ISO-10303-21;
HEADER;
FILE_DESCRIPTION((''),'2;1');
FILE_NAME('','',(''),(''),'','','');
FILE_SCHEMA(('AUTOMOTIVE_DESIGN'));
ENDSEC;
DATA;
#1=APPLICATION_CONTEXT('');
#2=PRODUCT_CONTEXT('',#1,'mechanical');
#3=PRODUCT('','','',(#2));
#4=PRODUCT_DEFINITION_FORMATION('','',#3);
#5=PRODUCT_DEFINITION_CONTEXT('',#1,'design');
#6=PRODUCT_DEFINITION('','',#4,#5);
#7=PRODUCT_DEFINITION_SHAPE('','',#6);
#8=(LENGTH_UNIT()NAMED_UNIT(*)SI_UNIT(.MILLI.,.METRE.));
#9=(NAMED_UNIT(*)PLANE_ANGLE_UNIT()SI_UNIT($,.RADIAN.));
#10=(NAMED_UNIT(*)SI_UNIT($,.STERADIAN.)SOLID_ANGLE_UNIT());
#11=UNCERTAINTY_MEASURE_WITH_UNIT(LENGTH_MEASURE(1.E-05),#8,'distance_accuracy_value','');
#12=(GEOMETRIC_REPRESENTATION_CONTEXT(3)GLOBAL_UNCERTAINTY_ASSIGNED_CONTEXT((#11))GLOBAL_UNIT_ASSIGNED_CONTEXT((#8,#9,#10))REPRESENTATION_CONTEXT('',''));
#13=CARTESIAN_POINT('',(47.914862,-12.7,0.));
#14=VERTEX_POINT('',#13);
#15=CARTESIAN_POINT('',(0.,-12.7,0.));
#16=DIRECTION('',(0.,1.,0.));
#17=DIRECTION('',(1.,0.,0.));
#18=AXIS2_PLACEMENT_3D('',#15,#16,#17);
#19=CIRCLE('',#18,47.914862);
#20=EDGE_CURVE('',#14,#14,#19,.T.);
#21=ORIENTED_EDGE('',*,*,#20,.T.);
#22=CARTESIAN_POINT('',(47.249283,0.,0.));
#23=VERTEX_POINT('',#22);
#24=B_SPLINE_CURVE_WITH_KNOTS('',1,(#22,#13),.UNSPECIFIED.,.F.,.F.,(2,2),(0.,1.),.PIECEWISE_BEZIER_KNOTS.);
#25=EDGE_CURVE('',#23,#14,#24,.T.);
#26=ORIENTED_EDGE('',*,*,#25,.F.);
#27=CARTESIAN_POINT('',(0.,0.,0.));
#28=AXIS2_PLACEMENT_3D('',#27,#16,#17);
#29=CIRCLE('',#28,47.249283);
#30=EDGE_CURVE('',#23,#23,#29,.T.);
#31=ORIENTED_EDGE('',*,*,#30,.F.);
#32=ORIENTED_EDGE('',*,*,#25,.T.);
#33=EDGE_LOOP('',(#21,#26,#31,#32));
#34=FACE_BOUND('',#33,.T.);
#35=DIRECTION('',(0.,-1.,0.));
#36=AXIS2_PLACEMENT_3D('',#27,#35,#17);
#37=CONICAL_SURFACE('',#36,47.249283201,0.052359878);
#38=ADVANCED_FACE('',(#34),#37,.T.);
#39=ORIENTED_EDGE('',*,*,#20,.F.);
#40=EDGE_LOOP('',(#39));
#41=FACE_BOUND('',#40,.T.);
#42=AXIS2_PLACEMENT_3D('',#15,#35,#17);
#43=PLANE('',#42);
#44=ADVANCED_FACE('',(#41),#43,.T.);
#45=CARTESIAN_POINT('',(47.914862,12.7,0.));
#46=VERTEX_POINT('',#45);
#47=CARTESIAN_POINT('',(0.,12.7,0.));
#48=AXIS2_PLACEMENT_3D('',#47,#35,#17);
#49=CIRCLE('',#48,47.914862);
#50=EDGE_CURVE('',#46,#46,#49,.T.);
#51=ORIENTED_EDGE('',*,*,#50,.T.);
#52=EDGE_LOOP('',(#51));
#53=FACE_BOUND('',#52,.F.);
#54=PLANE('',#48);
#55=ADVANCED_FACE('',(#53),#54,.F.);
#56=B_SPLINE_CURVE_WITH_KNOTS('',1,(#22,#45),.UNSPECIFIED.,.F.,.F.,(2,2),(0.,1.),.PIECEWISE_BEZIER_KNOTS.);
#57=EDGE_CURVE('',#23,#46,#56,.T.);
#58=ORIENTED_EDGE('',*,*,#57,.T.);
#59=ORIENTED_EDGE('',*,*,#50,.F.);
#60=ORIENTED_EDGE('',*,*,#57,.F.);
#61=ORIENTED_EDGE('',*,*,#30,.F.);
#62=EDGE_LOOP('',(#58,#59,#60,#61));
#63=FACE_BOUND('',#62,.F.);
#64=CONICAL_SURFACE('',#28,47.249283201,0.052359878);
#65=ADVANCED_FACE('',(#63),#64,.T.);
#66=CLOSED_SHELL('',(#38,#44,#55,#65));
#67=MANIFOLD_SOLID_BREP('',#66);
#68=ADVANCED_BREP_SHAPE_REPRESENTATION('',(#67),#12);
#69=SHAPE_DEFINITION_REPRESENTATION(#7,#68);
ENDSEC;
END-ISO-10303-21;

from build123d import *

# Parameters (mm, degrees)
F0_R     = 47.2492832015
F1_DEPTH = 12.7
F1_TAPER = -3


with BuildPart() as f1:
    # F0 (on Front) → F1 (new body, symmetric)
    with BuildSketch(Plane.XZ):
        Circle(F0_R)
    extrude(amount=F1_DEPTH, both=True, taper=F1_TAPER)


solid = f1.part
